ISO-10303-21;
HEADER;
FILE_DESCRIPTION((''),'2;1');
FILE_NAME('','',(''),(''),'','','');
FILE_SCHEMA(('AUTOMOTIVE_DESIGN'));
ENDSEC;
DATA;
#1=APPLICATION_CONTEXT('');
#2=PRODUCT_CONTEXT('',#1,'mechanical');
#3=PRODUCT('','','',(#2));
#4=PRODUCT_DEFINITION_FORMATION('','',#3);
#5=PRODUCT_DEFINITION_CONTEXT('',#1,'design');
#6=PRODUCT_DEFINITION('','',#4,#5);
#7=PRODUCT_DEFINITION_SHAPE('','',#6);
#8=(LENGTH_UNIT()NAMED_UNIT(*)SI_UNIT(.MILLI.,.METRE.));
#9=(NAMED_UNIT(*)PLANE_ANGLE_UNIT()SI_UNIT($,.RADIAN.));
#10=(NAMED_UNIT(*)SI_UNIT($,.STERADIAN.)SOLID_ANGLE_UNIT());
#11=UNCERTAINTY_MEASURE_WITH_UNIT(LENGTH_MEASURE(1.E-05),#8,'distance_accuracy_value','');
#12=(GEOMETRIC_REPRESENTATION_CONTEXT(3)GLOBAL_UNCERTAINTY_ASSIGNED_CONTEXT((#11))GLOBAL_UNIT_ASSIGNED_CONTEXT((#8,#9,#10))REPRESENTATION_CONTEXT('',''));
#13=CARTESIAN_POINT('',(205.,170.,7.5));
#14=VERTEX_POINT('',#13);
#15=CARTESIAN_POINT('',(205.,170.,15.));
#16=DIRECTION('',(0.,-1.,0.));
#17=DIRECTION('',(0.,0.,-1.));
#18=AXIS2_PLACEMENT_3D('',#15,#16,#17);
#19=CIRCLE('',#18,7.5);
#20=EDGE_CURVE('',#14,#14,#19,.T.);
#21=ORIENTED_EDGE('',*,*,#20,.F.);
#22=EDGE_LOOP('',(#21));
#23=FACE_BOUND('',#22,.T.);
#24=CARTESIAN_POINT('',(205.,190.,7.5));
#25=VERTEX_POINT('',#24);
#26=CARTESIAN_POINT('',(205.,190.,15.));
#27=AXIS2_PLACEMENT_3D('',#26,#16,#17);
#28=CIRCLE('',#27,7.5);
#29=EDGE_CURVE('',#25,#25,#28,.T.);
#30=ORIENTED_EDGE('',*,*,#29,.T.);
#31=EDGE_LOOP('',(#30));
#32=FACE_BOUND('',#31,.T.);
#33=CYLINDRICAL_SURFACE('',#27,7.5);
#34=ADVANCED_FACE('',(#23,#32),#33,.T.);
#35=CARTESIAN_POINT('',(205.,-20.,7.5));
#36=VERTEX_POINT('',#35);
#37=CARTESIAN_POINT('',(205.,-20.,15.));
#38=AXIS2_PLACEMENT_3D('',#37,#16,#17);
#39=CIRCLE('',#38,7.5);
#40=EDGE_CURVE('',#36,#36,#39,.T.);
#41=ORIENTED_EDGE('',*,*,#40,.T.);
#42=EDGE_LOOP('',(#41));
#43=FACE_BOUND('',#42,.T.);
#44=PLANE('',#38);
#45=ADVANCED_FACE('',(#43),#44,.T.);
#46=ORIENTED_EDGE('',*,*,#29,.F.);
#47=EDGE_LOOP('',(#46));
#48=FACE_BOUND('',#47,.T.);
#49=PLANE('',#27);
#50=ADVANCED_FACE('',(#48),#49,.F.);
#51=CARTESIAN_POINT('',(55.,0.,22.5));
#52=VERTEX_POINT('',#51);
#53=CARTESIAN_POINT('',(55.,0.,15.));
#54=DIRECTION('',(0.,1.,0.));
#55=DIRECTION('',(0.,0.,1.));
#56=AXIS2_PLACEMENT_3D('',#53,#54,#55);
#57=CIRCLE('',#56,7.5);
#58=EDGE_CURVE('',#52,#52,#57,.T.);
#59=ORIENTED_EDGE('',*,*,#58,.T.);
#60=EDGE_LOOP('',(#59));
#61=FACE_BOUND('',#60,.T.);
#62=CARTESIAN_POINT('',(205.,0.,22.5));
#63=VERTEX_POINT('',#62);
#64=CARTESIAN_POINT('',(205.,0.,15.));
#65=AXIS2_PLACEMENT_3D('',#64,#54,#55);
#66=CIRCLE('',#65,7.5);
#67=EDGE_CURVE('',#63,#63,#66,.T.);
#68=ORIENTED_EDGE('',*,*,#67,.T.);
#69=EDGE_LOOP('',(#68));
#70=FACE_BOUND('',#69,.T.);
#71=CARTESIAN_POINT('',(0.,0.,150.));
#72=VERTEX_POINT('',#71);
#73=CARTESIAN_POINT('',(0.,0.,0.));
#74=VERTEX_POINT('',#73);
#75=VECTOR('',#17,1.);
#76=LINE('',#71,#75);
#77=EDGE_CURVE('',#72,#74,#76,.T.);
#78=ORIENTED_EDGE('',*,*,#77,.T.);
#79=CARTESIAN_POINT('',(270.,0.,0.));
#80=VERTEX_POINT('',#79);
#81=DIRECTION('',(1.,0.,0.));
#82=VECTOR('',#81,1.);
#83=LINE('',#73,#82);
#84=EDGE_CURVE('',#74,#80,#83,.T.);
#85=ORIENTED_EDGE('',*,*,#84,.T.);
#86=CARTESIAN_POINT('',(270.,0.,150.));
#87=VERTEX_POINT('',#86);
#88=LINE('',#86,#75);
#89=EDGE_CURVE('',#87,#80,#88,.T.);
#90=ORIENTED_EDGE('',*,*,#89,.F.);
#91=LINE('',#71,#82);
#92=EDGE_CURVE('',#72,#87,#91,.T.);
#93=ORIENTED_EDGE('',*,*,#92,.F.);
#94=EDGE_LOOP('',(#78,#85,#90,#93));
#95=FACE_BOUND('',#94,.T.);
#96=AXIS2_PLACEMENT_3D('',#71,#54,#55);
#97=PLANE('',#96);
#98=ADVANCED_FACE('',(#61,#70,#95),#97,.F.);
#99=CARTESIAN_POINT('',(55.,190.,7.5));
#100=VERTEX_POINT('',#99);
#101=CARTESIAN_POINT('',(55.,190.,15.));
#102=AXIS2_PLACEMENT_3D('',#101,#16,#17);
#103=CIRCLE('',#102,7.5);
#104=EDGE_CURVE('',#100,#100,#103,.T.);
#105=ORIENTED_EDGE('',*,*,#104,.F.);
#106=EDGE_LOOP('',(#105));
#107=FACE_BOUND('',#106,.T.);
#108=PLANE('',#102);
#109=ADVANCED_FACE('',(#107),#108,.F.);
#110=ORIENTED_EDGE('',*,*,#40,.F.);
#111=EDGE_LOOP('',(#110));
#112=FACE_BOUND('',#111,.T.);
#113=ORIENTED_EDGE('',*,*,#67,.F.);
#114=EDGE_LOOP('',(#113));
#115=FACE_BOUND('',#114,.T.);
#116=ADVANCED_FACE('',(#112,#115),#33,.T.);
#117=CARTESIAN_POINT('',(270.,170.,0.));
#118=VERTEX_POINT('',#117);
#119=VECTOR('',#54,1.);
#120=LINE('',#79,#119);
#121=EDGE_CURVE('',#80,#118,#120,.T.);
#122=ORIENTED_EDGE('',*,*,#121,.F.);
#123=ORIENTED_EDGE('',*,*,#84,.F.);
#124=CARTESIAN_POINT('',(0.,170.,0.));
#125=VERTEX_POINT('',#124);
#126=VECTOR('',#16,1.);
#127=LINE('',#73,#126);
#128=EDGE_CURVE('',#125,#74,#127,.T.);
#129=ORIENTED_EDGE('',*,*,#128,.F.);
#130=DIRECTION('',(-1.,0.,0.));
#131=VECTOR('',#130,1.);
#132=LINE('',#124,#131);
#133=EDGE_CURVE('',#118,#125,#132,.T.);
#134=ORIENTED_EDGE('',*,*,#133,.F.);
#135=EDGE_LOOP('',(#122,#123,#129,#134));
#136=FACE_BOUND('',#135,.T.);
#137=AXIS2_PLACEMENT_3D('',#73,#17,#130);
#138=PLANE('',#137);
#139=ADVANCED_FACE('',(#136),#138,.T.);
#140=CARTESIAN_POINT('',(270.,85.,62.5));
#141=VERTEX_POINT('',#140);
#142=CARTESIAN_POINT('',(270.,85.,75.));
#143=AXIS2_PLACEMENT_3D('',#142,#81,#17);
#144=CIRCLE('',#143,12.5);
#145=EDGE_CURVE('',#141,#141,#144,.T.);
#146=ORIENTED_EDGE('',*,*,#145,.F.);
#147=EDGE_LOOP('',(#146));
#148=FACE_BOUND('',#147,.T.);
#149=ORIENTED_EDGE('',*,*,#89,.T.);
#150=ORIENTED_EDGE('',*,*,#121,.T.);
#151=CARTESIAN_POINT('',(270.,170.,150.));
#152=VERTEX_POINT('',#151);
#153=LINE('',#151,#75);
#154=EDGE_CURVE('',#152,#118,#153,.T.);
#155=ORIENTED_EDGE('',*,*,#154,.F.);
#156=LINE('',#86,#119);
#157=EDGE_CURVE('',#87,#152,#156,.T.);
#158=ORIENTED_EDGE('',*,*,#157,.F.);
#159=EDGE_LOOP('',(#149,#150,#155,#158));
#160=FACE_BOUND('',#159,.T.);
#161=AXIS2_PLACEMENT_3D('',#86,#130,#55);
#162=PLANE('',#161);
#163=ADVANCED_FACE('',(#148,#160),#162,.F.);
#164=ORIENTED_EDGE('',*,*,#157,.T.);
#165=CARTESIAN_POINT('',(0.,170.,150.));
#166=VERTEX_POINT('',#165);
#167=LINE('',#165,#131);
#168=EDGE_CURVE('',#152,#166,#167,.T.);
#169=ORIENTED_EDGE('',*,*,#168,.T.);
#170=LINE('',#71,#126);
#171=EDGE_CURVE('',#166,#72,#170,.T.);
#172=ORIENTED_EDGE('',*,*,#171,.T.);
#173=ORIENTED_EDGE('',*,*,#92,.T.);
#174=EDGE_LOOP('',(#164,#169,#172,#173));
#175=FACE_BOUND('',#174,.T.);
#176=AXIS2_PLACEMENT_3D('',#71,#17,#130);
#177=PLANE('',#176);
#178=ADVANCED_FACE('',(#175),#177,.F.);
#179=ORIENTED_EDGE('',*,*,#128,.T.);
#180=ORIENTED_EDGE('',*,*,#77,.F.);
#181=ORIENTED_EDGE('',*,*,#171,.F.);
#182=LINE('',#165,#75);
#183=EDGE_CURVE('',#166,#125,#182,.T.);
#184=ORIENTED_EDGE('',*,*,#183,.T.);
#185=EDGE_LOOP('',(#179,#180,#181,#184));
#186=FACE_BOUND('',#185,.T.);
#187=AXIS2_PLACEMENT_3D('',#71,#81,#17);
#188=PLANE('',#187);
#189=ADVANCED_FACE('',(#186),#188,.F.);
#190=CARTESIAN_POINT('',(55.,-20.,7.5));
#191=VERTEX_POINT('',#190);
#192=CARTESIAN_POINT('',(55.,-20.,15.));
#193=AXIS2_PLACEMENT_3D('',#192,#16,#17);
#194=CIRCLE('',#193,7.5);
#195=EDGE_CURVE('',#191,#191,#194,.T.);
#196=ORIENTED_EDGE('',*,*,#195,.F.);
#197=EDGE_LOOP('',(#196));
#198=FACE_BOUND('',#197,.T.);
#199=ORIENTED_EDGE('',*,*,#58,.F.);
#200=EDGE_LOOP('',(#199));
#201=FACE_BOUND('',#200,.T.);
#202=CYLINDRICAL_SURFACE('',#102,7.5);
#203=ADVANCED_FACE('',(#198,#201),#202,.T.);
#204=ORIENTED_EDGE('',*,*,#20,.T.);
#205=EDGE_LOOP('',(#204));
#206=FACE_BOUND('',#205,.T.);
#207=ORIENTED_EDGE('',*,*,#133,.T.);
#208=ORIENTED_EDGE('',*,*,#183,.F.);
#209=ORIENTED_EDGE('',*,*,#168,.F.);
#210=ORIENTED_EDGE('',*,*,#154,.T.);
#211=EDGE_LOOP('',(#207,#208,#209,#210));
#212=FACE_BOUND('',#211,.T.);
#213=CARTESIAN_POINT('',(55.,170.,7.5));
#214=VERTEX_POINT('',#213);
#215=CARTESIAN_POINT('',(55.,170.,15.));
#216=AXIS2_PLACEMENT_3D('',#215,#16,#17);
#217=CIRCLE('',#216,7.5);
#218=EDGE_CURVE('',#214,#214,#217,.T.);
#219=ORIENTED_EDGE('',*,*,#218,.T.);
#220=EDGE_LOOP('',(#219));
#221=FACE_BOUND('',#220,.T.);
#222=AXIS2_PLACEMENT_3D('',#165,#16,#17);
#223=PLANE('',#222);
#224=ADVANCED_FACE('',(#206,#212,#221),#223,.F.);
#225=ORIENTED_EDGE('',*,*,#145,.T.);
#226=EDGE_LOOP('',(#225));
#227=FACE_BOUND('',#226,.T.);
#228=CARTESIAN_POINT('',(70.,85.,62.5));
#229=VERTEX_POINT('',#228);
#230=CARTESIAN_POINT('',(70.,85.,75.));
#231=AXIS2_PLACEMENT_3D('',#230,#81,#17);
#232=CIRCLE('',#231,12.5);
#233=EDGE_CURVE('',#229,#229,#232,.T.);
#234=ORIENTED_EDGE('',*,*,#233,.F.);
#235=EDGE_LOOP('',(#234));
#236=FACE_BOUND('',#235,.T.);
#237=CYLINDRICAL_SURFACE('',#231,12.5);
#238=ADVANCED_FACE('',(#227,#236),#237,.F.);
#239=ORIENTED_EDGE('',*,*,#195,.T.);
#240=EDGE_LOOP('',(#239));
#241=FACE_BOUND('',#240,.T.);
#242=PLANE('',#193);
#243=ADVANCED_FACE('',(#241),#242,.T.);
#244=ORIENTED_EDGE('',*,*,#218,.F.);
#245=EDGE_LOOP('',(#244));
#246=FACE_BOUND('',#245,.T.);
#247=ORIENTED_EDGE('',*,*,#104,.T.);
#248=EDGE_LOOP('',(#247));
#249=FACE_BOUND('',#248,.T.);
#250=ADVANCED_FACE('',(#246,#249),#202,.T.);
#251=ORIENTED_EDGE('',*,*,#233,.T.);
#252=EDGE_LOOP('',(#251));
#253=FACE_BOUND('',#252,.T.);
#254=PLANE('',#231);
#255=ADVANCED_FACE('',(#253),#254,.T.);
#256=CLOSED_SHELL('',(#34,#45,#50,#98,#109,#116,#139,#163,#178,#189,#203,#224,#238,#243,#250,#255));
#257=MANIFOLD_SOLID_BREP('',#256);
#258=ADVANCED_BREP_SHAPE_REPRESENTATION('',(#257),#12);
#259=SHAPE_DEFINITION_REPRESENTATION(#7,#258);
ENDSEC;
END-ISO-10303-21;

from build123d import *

# Parameters (mm, degrees)
SKETCH1_W                = 270
SKETCH1_H                = 170
BOSS_EXTRUDE1_DEPTH      = 150
SKETCH2_R                = 12.5
CUT_EXTRUDE1_DEPTH       = 200
BOSS_EXTRUDE2_DEPTH      = 20
BOSS_EXTRUDE2_DEPTH_BACK = 190
SKETCH3_R                = 7.5


with BuildPart() as part:
    # Sketch1 → Boss-Extrude1 (new body)
    with BuildSketch(Plane.XY):
        with Locations((135, 85)):
            Rectangle(SKETCH1_W, SKETCH1_H)
    extrude(amount=BOSS_EXTRUDE1_DEPTH)

    # Sketch2 → Cut-Extrude1 (cut)
    with BuildSketch(Plane(origin=(270, 0, 0), x_dir=(0, 0, -1), z_dir=(1, 0, 0))):
        with Locations((-75, 85)):
            Circle(SKETCH2_R)
    extrude(amount=-CUT_EXTRUDE1_DEPTH, mode=Mode.SUBTRACT)

    # Sketch3 → Boss-Extrude2 (add, two sides: drawn at the far end of the back side and taken through both)
    with BuildSketch(Plane.XZ.offset(-BOSS_EXTRUDE2_DEPTH_BACK)):
        with Locations(Location((55, 15, 0), (0, 0, 270))):
            Circle(SKETCH3_R)
        with Locations(Location((205, 15, 0), (0, 0, 270))):
            Circle(SKETCH3_R)
    extrude(amount=BOSS_EXTRUDE2_DEPTH + BOSS_EXTRUDE2_DEPTH_BACK)


solid = part.part
